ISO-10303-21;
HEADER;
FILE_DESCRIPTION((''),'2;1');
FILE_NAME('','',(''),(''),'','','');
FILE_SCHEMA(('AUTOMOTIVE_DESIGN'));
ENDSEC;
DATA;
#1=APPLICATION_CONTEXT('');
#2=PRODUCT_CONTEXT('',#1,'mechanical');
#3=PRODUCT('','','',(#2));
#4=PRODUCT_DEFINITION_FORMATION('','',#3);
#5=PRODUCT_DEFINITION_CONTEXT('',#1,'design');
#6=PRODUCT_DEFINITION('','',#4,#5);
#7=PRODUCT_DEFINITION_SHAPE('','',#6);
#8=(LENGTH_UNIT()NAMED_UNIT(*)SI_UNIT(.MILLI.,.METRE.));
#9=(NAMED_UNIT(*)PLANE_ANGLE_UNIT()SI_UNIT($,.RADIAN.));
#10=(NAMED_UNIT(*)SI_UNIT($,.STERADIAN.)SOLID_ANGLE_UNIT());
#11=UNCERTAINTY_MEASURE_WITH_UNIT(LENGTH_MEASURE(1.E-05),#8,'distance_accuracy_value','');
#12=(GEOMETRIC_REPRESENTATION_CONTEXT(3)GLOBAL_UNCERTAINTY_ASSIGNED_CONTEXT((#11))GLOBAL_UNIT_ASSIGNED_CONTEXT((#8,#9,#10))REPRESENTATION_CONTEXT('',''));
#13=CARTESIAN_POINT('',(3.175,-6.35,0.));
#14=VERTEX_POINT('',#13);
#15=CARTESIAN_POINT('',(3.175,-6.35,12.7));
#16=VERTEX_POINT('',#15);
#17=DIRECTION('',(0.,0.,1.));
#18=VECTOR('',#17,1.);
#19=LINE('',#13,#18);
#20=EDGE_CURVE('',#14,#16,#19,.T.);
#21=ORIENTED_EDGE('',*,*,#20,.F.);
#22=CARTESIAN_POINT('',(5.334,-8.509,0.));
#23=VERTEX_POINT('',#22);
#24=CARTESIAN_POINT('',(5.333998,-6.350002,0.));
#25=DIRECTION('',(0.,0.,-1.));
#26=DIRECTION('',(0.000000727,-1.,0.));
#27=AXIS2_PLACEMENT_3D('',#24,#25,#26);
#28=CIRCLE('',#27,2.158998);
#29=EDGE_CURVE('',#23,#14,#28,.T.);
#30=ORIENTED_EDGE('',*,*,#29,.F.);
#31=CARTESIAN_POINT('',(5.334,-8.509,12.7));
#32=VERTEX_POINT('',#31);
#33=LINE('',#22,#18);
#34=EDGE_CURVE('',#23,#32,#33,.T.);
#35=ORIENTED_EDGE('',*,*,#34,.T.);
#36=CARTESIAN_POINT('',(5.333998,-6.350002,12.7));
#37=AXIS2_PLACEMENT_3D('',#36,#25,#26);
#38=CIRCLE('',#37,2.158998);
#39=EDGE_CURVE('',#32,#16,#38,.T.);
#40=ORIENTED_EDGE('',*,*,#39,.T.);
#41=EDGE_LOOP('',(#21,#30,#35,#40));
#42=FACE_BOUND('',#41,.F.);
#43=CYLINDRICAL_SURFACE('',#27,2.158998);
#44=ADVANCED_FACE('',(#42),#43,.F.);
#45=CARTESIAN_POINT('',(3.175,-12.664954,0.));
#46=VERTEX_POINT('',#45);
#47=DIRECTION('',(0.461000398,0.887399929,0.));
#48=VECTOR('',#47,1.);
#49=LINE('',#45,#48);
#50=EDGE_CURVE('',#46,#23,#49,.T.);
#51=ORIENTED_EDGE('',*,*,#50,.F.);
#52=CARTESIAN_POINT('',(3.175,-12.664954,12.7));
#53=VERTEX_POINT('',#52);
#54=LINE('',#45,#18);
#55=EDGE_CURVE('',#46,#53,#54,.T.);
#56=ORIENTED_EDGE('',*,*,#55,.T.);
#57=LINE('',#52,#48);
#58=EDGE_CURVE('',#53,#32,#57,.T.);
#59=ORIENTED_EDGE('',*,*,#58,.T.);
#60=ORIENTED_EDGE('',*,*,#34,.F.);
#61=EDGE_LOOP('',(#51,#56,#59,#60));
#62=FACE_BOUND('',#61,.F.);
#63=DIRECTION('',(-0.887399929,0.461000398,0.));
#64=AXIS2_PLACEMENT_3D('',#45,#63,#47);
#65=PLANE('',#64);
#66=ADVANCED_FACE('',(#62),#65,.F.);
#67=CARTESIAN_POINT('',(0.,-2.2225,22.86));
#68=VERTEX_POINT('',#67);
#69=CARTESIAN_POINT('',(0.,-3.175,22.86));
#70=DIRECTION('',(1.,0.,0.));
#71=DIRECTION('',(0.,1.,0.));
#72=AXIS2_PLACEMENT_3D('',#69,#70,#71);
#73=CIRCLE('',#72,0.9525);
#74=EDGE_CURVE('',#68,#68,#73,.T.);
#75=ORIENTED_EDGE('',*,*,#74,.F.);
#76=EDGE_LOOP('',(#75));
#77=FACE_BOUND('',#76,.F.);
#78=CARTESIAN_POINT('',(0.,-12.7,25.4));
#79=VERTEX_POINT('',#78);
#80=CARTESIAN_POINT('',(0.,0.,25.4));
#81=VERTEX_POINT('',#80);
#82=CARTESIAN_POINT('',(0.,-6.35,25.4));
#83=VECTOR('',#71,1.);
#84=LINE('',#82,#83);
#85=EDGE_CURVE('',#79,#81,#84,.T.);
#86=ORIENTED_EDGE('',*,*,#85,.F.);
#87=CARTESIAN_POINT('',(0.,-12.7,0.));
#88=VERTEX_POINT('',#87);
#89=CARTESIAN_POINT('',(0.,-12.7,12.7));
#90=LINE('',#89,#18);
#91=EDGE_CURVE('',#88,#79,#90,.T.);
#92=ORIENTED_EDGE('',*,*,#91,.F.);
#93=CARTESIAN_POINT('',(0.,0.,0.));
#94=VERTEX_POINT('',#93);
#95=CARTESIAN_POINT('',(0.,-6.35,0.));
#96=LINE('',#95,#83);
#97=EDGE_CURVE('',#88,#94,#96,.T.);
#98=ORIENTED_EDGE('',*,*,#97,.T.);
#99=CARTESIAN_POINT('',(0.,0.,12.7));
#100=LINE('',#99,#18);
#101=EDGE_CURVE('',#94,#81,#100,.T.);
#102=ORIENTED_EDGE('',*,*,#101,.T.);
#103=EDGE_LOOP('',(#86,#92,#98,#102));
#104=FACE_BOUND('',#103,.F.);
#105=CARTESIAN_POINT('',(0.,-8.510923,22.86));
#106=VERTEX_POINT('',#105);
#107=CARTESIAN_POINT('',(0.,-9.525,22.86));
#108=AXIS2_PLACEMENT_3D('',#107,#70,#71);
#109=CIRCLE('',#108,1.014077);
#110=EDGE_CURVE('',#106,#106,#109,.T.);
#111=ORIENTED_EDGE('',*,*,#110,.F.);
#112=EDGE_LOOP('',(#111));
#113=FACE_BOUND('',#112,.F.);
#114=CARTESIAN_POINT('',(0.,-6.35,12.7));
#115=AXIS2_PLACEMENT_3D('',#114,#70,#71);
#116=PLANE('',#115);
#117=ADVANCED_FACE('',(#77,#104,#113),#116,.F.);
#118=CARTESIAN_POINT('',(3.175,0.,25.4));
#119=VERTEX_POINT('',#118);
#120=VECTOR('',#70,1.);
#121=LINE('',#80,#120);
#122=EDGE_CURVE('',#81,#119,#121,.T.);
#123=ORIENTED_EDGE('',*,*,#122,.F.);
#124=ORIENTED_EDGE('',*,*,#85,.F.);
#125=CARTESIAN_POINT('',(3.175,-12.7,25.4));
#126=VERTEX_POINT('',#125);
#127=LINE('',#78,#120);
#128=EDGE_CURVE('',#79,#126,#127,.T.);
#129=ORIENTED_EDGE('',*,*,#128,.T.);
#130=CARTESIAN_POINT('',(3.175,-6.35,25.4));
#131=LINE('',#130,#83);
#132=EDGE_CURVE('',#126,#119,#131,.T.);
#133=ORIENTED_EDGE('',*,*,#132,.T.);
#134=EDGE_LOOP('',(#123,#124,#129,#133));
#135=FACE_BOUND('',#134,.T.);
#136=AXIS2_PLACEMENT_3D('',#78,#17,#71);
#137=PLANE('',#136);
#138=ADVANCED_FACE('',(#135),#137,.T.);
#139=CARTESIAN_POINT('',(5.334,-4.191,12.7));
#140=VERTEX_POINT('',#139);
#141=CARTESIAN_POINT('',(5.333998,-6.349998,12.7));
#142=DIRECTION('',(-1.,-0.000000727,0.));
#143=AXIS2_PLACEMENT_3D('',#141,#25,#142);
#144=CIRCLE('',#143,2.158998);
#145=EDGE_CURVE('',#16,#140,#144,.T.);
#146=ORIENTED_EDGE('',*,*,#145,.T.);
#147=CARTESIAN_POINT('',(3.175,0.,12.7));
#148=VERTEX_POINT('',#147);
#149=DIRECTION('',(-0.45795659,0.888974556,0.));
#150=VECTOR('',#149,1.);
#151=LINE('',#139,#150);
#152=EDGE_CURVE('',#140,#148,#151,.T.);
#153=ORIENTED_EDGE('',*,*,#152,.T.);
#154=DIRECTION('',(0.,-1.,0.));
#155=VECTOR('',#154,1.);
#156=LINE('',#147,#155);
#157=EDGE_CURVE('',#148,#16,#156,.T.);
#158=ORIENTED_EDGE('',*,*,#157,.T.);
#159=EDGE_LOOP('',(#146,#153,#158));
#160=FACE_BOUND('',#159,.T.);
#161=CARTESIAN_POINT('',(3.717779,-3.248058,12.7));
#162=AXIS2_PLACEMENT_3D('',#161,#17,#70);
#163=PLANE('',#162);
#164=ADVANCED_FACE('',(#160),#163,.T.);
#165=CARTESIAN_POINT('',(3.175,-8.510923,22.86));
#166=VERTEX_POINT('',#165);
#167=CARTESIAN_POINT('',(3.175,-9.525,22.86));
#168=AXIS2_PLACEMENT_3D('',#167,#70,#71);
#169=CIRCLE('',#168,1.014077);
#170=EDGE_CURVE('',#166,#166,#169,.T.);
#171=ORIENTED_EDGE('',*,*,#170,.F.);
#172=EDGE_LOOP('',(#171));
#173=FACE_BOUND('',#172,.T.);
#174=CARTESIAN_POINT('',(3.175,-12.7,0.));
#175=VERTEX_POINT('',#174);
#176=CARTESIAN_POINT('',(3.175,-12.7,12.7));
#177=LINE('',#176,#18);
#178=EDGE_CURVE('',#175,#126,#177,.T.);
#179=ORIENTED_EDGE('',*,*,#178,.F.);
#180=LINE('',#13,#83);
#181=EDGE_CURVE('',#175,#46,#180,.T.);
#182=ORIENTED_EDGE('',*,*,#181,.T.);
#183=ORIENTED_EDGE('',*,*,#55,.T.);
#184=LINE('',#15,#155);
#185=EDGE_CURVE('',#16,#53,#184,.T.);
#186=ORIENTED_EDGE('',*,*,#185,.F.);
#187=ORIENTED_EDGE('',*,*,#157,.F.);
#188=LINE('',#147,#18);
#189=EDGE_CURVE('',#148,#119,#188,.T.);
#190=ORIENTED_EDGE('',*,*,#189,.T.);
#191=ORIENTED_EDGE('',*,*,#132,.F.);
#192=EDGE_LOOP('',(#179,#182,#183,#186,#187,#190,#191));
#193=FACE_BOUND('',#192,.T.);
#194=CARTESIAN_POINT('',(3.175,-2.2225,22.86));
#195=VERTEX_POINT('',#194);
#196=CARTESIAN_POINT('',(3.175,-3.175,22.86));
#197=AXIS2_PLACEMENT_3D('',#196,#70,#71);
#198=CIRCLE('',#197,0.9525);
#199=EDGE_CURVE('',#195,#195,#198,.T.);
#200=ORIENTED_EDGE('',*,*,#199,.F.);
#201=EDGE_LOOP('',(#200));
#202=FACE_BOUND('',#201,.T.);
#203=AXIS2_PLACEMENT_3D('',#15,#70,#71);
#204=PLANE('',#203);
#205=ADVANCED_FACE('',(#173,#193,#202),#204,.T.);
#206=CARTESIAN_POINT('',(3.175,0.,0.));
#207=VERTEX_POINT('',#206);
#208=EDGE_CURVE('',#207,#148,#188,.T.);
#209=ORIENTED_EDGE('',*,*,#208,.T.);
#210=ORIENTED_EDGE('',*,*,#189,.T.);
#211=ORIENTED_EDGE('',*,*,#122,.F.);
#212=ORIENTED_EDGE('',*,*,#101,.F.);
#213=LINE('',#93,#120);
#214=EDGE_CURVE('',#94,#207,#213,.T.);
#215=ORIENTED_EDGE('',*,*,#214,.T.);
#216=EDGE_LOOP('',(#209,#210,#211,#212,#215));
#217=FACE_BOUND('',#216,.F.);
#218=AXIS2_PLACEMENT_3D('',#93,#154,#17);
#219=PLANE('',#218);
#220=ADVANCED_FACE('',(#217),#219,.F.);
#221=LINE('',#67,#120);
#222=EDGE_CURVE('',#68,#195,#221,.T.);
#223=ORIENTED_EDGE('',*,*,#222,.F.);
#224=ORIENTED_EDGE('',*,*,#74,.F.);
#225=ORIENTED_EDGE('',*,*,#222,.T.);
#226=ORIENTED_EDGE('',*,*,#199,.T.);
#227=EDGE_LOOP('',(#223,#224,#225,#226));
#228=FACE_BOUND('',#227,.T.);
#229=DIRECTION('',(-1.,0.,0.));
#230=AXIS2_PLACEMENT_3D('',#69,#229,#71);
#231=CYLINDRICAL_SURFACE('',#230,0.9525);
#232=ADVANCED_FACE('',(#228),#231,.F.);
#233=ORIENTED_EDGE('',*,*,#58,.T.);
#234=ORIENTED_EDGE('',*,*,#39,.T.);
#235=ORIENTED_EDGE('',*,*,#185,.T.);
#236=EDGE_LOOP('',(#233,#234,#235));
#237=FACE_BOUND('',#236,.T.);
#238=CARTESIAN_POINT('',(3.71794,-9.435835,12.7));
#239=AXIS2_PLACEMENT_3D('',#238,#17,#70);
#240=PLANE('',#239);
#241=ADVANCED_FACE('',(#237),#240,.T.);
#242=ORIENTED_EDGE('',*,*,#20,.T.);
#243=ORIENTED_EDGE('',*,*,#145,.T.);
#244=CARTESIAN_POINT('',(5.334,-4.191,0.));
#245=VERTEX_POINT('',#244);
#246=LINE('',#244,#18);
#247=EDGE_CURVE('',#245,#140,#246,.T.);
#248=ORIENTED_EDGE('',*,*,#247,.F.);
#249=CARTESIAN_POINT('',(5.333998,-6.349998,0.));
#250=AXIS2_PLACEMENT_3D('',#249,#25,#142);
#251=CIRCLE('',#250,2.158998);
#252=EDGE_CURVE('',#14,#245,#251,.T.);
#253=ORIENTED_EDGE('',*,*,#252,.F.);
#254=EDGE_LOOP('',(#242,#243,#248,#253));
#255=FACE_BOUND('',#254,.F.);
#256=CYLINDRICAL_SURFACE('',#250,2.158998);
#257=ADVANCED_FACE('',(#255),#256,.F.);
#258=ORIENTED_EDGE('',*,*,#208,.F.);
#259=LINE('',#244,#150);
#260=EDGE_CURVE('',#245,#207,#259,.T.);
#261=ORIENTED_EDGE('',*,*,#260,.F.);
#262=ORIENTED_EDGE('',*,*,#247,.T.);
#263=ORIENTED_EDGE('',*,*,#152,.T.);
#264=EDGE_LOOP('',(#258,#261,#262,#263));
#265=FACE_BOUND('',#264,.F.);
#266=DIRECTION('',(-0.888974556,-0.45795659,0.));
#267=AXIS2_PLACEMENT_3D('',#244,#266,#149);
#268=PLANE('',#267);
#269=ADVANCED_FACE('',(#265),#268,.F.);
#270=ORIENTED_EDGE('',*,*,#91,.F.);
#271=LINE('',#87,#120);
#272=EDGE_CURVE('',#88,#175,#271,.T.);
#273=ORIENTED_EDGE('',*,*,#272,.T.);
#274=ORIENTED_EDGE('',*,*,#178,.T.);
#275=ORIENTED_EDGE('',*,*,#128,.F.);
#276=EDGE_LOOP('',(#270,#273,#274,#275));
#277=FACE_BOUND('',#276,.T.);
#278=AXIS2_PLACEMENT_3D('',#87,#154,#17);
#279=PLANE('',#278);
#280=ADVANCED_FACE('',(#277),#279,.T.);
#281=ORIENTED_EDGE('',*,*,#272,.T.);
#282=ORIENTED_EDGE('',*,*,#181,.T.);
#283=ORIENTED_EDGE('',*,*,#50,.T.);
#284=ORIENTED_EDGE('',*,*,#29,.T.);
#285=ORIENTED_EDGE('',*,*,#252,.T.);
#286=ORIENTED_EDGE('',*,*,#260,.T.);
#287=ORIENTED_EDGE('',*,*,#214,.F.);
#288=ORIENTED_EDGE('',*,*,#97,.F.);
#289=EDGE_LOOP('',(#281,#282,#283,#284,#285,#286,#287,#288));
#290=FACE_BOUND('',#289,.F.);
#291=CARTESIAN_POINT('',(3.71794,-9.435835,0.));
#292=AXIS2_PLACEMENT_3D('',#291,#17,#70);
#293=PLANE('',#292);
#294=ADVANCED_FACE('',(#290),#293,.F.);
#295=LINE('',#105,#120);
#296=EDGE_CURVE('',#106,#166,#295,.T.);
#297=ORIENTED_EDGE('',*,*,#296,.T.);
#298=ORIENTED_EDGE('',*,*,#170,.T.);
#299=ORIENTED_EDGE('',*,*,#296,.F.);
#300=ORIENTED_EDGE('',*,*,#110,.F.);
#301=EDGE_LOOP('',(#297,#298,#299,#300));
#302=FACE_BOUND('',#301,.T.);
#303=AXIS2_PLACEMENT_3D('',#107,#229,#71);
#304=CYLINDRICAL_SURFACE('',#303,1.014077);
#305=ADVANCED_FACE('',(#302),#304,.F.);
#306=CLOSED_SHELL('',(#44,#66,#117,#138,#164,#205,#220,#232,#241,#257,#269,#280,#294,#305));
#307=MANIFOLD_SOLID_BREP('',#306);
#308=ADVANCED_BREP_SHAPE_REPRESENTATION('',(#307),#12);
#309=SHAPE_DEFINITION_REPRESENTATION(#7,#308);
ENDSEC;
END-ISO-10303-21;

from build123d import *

# Parameters (mm, degrees)
F0_W     = 12.7
F0_H     = 25.4
F0_R     = 1.014077
F0_R_2   = 0.9525
F1_DEPTH = 3.175
F3_DEPTH = 12.7


with BuildPart() as f1:
    # F0 (on Right) → F1 (new body)
    with BuildSketch(Plane.YZ):
        with Locations((-6.35, 12.7)):
            Rectangle(F0_W, F0_H)
        with Locations((-9.525, 22.86)):
            Circle(F0_R, mode=Mode.SUBTRACT)
        with Locations((-3.175, 22.86)):
            Circle(F0_R_2, mode=Mode.SUBTRACT)
    extrude(amount=F1_DEPTH)

    # F2 (on Top) → F3 (join)
    with BuildSketch(Plane.XY):
        with BuildLine():
            ThreePointArc((5.334, -8.509), (3.807356, -7.876644), (3.175, -6.35))
            Line((3.175, -6.35), (3.175, -12.664954))
            Line((3.175, -12.664954), (5.334, -8.509))
        make_face()
        with BuildLine():
            ThreePointArc((3.175, -6.35), (3.807356, -4.823356), (5.334, -4.191))
            Line((5.334, -4.191), (3.175, 0))
            Line((3.175, 0), (3.175, -6.35))
        make_face()
    extrude(amount=F3_DEPTH)


solid = f1.part
